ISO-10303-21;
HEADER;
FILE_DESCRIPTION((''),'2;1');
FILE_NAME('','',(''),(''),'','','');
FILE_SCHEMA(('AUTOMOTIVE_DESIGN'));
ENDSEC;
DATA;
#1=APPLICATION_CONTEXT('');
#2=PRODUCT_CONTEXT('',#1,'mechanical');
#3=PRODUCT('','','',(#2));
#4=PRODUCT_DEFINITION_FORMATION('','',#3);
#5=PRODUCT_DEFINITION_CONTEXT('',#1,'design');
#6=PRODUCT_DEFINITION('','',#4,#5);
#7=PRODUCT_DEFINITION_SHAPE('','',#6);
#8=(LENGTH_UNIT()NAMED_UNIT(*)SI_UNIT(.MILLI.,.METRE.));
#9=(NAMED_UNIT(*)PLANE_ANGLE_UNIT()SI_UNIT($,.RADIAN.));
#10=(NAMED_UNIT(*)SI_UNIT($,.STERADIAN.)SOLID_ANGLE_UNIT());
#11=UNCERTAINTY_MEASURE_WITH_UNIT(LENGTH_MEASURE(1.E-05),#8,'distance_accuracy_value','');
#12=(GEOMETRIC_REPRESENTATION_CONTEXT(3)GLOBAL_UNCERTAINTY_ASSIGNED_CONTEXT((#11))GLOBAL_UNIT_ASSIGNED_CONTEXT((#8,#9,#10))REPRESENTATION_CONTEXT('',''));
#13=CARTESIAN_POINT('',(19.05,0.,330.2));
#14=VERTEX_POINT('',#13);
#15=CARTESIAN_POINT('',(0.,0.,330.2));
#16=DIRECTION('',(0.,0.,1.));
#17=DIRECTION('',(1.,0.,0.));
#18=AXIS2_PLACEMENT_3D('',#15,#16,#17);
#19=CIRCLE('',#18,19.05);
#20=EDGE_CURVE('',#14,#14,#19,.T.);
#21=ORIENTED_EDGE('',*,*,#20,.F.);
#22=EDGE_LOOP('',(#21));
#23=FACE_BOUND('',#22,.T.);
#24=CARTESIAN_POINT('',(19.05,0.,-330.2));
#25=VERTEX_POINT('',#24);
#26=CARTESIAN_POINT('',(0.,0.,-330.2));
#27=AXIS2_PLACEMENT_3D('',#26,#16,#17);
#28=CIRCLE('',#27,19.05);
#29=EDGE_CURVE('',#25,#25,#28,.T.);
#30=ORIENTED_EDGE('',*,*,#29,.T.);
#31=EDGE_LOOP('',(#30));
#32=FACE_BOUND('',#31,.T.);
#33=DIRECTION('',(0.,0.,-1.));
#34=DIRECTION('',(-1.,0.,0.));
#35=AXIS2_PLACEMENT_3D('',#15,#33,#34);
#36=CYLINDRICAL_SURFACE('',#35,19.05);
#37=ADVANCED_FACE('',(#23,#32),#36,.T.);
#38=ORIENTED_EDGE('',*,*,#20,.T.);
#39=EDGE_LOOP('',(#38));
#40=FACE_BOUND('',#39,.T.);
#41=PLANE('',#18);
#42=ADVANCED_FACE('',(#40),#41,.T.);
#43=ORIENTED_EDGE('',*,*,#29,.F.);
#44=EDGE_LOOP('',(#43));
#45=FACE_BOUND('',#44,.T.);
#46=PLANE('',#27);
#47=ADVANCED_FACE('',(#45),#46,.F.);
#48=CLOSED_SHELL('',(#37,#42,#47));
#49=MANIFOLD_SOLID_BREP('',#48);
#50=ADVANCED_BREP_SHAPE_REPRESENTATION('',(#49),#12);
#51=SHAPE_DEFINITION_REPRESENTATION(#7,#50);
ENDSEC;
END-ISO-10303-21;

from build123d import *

# Parameters (mm, degrees)
SKETCH1_R           = 19.05
BOSS_EXTRUDE1_DEPTH = 330.2


with BuildPart() as part:
    # Sketch1 → Boss-Extrude1 (new body, symmetric)
    with BuildSketch(Plane.XY):
        Circle(SKETCH1_R)
    extrude(amount=BOSS_EXTRUDE1_DEPTH, both=True)


solid = part.part
